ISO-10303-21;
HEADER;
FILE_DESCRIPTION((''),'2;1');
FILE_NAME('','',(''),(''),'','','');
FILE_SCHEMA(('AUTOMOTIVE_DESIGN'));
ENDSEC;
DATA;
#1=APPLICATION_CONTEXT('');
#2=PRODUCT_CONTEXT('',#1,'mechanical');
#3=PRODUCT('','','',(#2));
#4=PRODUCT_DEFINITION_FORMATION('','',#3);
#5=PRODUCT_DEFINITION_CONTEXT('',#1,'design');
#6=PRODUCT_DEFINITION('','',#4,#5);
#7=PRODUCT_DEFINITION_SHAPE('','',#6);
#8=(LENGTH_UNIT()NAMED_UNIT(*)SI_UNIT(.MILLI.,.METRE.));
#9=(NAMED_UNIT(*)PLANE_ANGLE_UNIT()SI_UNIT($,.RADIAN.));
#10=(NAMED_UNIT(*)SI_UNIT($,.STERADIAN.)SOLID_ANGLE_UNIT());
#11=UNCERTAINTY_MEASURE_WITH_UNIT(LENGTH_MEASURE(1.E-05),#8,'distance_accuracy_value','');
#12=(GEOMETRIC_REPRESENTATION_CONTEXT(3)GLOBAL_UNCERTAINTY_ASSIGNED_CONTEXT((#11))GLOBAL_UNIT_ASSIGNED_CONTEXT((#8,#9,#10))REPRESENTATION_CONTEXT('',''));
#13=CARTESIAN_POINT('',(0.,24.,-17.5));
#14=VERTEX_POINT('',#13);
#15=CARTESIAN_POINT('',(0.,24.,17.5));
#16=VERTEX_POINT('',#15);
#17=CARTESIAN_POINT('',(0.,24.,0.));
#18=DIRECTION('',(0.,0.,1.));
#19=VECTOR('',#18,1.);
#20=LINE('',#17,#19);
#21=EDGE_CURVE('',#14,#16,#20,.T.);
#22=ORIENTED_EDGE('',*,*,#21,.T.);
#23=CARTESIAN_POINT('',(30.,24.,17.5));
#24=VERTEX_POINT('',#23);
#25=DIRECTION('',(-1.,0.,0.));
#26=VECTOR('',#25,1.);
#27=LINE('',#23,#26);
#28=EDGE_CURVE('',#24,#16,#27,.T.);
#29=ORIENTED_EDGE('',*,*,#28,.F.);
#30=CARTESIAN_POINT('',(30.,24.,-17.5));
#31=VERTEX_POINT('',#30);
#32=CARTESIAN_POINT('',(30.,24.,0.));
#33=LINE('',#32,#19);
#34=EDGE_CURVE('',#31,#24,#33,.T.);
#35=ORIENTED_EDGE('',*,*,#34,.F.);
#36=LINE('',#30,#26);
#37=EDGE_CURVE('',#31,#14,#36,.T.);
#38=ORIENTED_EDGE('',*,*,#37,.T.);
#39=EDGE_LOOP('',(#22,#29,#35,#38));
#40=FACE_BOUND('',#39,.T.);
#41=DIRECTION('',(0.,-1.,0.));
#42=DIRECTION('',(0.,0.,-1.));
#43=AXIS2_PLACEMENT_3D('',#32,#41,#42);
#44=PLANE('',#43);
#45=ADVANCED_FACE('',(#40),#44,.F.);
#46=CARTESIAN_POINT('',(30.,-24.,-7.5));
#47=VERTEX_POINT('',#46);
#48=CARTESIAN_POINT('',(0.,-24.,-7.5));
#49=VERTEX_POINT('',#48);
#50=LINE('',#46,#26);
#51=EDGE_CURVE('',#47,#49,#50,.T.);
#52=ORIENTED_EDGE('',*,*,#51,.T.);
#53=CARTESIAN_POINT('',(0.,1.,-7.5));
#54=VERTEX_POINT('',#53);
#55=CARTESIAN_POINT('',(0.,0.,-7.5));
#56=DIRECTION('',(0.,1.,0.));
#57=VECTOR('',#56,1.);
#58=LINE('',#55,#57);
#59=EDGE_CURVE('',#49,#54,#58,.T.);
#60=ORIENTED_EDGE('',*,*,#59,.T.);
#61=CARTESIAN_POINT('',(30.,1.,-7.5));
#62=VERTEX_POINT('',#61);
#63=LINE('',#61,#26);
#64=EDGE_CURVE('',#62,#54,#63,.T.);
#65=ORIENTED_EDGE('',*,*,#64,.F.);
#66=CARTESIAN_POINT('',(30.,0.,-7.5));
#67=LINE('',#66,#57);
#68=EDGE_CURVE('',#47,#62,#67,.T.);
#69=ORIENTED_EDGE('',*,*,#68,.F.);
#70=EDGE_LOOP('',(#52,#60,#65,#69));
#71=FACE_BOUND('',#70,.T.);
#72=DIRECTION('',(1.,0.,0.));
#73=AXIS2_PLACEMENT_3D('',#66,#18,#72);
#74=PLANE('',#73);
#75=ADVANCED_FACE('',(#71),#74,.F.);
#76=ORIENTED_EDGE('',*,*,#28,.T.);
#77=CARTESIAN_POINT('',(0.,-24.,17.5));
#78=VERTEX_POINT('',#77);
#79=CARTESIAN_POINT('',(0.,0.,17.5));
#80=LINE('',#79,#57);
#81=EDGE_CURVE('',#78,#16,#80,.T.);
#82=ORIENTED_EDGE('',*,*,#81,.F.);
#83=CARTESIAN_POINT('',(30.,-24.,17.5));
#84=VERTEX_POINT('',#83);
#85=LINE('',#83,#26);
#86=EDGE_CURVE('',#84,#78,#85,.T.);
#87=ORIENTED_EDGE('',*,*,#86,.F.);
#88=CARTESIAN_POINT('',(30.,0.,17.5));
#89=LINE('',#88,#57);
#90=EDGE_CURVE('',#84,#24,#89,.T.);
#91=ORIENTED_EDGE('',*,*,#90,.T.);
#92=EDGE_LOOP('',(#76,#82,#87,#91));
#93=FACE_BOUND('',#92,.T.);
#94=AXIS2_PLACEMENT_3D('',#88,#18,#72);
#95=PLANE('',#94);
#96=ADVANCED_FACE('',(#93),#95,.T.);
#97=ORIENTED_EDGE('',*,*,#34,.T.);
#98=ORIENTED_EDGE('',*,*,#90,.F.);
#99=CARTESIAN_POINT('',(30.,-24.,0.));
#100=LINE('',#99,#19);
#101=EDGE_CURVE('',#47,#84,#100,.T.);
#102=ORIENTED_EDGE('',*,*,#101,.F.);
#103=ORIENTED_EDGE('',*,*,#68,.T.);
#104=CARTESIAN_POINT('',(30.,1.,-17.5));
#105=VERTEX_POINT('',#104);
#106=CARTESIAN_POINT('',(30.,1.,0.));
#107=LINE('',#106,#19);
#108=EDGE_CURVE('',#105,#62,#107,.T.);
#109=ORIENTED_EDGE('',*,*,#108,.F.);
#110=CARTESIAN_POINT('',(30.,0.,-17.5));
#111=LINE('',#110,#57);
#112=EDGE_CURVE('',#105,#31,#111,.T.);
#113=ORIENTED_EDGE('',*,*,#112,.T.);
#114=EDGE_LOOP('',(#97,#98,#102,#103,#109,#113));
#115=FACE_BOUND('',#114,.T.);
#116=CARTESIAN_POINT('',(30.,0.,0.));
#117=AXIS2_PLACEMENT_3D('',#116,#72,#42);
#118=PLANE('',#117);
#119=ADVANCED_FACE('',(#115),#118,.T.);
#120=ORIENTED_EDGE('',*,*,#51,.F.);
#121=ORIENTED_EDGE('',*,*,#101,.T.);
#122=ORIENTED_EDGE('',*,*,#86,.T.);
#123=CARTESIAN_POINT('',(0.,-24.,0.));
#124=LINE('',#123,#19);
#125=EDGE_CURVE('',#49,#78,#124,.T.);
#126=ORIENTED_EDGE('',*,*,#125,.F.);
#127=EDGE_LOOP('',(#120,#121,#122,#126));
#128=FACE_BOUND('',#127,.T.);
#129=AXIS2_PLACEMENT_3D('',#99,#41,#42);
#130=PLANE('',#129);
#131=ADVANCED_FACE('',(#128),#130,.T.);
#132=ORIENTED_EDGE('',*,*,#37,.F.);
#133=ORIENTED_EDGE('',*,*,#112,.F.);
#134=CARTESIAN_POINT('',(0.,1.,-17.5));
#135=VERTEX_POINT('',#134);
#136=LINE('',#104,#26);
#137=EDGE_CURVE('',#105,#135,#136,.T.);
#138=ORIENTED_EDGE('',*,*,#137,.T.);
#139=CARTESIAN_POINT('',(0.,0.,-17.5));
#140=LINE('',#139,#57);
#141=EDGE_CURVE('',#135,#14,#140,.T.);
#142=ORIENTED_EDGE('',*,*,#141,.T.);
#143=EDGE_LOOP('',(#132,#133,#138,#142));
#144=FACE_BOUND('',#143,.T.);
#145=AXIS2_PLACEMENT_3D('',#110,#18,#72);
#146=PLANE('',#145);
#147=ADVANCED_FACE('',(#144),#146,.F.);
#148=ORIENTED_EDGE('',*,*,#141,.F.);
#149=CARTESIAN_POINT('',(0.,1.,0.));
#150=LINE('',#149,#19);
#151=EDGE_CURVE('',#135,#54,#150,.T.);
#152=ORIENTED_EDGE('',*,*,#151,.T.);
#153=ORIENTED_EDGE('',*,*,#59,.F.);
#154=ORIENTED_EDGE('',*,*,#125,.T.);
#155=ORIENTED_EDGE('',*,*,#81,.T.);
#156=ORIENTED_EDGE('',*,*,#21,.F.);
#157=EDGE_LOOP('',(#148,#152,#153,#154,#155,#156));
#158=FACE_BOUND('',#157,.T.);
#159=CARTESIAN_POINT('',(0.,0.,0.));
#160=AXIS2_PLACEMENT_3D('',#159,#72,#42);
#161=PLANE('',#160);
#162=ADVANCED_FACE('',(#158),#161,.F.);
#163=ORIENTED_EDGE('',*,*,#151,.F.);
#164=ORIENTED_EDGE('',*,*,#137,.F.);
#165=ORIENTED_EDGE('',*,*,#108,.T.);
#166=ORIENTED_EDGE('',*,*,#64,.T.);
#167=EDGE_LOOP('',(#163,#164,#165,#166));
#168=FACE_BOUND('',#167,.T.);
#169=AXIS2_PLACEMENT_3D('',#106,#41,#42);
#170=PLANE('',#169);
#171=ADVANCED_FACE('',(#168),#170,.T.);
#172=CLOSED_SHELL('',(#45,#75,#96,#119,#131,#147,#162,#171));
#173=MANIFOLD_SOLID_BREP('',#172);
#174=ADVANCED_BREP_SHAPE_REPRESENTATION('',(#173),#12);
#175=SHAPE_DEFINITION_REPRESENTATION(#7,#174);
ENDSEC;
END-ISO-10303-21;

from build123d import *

# Parameters (mm, degrees)
BOSS_EXTRUDE1_DEPTH = 30


with BuildPart() as part:
    # Sketch1 → Boss-Extrude1 (new body)
    with BuildSketch(Plane.YZ):
        Polygon((1, -7.5), (1, -17.5), (24, -17.5), (24, 17.5), (-24, 17.5), (-24, -7.5), align=None)
    extrude(amount=BOSS_EXTRUDE1_DEPTH)


solid = part.part
